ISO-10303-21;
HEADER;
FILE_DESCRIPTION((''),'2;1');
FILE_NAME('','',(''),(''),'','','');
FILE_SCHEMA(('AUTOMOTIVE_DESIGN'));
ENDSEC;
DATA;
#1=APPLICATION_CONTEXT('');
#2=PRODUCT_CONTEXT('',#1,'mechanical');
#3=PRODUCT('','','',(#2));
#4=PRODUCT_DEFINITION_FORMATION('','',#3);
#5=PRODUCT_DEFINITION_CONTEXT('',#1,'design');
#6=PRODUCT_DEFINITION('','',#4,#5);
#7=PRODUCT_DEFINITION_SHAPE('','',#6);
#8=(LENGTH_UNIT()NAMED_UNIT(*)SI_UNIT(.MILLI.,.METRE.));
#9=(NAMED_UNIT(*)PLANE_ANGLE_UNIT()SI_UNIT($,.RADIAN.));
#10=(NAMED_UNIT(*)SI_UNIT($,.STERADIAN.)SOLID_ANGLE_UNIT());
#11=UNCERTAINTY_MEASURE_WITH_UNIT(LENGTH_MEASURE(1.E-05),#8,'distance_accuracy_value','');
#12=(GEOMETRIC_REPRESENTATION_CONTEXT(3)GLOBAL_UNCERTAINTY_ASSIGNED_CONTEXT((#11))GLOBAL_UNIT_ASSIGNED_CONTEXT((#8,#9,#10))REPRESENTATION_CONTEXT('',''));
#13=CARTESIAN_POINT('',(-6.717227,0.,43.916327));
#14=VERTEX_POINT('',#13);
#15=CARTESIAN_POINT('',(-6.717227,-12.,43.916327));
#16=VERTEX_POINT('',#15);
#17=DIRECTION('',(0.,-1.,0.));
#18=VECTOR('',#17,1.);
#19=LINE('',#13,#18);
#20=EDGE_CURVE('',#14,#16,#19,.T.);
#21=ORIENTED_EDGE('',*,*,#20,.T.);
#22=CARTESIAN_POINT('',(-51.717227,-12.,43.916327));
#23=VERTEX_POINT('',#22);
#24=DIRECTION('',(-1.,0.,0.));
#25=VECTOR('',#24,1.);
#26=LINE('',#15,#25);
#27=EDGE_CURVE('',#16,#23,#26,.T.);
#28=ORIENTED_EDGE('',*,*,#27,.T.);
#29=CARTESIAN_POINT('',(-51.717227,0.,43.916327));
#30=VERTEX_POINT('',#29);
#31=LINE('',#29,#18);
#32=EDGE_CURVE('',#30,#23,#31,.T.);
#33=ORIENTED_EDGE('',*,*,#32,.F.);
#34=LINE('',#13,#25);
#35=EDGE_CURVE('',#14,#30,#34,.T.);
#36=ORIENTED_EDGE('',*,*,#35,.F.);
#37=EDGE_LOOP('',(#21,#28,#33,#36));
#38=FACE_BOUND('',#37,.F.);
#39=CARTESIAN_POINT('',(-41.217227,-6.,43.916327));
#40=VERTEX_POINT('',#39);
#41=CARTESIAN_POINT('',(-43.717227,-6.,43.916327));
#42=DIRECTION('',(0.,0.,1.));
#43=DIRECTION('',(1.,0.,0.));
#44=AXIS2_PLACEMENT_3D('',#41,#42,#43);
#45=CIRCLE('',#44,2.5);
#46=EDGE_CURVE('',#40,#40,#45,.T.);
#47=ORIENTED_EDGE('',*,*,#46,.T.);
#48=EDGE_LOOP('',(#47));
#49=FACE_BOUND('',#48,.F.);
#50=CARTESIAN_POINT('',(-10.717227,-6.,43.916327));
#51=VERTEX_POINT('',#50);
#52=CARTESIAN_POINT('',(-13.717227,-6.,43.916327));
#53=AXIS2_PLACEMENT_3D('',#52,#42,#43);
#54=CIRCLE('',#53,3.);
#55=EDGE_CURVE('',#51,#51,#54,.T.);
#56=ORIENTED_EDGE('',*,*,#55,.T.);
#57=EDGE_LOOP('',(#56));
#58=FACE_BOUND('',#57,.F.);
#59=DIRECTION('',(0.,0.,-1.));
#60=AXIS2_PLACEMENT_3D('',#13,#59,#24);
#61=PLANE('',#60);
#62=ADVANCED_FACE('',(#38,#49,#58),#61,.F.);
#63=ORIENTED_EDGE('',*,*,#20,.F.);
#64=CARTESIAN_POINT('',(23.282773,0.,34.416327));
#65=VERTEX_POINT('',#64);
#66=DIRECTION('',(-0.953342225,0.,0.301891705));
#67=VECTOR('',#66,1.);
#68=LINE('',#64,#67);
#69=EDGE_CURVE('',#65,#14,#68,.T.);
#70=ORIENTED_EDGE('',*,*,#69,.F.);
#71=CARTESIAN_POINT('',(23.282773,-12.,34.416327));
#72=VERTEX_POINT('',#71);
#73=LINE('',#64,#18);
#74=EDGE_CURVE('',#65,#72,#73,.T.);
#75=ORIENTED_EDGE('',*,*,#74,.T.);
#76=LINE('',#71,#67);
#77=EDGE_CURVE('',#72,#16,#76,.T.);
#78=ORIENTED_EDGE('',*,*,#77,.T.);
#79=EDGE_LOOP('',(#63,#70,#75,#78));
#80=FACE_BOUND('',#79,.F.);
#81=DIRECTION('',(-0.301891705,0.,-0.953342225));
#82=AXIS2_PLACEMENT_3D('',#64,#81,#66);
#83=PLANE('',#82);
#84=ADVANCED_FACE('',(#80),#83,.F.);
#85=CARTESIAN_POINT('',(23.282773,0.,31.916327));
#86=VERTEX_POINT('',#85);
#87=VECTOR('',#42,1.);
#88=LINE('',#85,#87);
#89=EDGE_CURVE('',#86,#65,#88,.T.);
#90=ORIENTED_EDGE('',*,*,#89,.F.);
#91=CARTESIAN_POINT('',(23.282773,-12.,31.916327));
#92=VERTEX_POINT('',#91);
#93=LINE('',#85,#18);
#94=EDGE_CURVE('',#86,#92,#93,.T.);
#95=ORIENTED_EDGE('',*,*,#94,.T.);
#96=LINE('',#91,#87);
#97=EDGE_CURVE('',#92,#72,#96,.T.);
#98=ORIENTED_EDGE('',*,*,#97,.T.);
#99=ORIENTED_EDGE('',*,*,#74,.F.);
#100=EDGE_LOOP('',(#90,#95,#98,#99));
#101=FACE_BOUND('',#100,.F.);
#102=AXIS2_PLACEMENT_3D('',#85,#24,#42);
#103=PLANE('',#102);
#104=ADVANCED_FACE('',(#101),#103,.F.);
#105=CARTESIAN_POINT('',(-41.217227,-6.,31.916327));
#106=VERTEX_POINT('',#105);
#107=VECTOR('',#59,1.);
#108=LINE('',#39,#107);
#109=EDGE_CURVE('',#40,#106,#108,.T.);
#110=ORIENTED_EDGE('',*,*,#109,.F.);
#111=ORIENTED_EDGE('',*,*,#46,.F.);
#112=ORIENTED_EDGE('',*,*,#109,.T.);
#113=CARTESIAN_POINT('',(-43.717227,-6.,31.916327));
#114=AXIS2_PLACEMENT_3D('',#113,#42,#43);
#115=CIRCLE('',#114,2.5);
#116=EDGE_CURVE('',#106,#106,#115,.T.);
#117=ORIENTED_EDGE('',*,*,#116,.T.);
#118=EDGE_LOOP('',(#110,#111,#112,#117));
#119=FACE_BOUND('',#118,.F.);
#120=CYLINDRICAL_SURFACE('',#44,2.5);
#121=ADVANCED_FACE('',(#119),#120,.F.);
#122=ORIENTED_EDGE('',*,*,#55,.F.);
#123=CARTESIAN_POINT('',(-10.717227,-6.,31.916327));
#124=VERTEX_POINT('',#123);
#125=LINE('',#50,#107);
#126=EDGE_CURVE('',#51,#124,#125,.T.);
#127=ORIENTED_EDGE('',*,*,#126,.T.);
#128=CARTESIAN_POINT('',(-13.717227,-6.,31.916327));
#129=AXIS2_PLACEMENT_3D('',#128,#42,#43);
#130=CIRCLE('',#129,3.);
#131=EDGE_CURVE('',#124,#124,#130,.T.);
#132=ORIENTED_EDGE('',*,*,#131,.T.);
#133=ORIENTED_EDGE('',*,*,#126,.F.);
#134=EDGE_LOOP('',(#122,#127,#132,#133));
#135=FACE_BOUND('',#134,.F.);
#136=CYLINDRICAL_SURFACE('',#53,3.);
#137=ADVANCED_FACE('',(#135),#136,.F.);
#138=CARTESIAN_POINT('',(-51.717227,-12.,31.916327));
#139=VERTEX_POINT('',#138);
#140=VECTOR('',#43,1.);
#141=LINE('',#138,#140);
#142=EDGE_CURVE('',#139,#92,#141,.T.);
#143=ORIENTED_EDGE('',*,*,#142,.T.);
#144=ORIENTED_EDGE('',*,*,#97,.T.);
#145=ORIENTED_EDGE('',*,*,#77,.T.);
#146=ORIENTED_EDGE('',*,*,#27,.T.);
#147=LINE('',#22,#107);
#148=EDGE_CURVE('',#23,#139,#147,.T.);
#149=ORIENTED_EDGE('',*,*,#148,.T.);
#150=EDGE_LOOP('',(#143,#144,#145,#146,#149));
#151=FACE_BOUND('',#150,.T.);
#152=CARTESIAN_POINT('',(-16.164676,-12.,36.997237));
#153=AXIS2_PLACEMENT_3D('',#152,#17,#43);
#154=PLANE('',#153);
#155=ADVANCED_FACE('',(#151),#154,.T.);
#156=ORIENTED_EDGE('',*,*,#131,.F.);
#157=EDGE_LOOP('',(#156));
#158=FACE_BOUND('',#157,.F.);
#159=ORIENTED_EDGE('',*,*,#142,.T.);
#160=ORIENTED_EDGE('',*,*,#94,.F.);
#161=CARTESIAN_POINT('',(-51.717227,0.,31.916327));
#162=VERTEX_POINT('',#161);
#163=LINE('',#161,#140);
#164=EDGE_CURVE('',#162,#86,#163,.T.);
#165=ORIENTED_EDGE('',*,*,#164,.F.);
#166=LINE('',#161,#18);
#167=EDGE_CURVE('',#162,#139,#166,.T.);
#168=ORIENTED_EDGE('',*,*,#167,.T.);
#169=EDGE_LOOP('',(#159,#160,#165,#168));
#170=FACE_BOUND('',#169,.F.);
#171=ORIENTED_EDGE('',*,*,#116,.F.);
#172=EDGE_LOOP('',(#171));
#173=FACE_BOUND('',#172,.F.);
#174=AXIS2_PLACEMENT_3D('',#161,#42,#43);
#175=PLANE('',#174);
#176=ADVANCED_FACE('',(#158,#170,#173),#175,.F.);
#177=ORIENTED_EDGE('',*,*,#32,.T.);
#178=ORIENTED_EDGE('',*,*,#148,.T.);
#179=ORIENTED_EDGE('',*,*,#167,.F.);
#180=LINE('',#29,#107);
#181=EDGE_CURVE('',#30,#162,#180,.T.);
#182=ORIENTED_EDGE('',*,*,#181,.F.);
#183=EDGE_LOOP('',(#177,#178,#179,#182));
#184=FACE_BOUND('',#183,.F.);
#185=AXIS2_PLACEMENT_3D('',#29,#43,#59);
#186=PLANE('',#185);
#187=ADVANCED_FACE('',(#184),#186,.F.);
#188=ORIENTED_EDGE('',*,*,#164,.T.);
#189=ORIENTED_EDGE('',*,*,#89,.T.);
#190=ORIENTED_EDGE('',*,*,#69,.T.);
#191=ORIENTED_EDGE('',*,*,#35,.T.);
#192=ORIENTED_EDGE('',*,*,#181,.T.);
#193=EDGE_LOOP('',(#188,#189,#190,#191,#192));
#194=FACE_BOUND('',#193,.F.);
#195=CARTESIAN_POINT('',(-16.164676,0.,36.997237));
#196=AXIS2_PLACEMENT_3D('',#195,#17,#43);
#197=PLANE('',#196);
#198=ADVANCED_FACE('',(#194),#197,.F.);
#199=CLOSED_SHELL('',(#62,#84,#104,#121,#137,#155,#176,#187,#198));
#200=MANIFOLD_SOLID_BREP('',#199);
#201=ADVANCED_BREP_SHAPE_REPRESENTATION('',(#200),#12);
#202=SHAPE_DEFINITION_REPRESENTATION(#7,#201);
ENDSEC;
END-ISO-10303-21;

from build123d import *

# Parameters (mm, degrees)
F1_DEPTH = 12
F2_R     = 2.5
F2_R_2   = 3
F3_DEPTH = 25


with BuildPart() as f1:
    # F0 (on Front) → F1 (new body)
    with BuildSketch(Plane.XZ):
        Polygon((-6.717227, 43.916327), (-51.717227, 43.916327), (-51.717227, 31.916327), (23.282773, 31.916327), (23.282773, 34.416327), align=None)
    extrude(amount=F1_DEPTH)

    # F2 (on face) → F3 (cut)
    with BuildSketch(Plane.XY.offset(43.916327)):
        with Locations((-43.717227, -6)):
            Circle(F2_R)
        with Locations((-13.717227, -6)):
            Circle(F2_R_2)
    extrude(amount=-F3_DEPTH, mode=Mode.SUBTRACT)


solid = f1.part
